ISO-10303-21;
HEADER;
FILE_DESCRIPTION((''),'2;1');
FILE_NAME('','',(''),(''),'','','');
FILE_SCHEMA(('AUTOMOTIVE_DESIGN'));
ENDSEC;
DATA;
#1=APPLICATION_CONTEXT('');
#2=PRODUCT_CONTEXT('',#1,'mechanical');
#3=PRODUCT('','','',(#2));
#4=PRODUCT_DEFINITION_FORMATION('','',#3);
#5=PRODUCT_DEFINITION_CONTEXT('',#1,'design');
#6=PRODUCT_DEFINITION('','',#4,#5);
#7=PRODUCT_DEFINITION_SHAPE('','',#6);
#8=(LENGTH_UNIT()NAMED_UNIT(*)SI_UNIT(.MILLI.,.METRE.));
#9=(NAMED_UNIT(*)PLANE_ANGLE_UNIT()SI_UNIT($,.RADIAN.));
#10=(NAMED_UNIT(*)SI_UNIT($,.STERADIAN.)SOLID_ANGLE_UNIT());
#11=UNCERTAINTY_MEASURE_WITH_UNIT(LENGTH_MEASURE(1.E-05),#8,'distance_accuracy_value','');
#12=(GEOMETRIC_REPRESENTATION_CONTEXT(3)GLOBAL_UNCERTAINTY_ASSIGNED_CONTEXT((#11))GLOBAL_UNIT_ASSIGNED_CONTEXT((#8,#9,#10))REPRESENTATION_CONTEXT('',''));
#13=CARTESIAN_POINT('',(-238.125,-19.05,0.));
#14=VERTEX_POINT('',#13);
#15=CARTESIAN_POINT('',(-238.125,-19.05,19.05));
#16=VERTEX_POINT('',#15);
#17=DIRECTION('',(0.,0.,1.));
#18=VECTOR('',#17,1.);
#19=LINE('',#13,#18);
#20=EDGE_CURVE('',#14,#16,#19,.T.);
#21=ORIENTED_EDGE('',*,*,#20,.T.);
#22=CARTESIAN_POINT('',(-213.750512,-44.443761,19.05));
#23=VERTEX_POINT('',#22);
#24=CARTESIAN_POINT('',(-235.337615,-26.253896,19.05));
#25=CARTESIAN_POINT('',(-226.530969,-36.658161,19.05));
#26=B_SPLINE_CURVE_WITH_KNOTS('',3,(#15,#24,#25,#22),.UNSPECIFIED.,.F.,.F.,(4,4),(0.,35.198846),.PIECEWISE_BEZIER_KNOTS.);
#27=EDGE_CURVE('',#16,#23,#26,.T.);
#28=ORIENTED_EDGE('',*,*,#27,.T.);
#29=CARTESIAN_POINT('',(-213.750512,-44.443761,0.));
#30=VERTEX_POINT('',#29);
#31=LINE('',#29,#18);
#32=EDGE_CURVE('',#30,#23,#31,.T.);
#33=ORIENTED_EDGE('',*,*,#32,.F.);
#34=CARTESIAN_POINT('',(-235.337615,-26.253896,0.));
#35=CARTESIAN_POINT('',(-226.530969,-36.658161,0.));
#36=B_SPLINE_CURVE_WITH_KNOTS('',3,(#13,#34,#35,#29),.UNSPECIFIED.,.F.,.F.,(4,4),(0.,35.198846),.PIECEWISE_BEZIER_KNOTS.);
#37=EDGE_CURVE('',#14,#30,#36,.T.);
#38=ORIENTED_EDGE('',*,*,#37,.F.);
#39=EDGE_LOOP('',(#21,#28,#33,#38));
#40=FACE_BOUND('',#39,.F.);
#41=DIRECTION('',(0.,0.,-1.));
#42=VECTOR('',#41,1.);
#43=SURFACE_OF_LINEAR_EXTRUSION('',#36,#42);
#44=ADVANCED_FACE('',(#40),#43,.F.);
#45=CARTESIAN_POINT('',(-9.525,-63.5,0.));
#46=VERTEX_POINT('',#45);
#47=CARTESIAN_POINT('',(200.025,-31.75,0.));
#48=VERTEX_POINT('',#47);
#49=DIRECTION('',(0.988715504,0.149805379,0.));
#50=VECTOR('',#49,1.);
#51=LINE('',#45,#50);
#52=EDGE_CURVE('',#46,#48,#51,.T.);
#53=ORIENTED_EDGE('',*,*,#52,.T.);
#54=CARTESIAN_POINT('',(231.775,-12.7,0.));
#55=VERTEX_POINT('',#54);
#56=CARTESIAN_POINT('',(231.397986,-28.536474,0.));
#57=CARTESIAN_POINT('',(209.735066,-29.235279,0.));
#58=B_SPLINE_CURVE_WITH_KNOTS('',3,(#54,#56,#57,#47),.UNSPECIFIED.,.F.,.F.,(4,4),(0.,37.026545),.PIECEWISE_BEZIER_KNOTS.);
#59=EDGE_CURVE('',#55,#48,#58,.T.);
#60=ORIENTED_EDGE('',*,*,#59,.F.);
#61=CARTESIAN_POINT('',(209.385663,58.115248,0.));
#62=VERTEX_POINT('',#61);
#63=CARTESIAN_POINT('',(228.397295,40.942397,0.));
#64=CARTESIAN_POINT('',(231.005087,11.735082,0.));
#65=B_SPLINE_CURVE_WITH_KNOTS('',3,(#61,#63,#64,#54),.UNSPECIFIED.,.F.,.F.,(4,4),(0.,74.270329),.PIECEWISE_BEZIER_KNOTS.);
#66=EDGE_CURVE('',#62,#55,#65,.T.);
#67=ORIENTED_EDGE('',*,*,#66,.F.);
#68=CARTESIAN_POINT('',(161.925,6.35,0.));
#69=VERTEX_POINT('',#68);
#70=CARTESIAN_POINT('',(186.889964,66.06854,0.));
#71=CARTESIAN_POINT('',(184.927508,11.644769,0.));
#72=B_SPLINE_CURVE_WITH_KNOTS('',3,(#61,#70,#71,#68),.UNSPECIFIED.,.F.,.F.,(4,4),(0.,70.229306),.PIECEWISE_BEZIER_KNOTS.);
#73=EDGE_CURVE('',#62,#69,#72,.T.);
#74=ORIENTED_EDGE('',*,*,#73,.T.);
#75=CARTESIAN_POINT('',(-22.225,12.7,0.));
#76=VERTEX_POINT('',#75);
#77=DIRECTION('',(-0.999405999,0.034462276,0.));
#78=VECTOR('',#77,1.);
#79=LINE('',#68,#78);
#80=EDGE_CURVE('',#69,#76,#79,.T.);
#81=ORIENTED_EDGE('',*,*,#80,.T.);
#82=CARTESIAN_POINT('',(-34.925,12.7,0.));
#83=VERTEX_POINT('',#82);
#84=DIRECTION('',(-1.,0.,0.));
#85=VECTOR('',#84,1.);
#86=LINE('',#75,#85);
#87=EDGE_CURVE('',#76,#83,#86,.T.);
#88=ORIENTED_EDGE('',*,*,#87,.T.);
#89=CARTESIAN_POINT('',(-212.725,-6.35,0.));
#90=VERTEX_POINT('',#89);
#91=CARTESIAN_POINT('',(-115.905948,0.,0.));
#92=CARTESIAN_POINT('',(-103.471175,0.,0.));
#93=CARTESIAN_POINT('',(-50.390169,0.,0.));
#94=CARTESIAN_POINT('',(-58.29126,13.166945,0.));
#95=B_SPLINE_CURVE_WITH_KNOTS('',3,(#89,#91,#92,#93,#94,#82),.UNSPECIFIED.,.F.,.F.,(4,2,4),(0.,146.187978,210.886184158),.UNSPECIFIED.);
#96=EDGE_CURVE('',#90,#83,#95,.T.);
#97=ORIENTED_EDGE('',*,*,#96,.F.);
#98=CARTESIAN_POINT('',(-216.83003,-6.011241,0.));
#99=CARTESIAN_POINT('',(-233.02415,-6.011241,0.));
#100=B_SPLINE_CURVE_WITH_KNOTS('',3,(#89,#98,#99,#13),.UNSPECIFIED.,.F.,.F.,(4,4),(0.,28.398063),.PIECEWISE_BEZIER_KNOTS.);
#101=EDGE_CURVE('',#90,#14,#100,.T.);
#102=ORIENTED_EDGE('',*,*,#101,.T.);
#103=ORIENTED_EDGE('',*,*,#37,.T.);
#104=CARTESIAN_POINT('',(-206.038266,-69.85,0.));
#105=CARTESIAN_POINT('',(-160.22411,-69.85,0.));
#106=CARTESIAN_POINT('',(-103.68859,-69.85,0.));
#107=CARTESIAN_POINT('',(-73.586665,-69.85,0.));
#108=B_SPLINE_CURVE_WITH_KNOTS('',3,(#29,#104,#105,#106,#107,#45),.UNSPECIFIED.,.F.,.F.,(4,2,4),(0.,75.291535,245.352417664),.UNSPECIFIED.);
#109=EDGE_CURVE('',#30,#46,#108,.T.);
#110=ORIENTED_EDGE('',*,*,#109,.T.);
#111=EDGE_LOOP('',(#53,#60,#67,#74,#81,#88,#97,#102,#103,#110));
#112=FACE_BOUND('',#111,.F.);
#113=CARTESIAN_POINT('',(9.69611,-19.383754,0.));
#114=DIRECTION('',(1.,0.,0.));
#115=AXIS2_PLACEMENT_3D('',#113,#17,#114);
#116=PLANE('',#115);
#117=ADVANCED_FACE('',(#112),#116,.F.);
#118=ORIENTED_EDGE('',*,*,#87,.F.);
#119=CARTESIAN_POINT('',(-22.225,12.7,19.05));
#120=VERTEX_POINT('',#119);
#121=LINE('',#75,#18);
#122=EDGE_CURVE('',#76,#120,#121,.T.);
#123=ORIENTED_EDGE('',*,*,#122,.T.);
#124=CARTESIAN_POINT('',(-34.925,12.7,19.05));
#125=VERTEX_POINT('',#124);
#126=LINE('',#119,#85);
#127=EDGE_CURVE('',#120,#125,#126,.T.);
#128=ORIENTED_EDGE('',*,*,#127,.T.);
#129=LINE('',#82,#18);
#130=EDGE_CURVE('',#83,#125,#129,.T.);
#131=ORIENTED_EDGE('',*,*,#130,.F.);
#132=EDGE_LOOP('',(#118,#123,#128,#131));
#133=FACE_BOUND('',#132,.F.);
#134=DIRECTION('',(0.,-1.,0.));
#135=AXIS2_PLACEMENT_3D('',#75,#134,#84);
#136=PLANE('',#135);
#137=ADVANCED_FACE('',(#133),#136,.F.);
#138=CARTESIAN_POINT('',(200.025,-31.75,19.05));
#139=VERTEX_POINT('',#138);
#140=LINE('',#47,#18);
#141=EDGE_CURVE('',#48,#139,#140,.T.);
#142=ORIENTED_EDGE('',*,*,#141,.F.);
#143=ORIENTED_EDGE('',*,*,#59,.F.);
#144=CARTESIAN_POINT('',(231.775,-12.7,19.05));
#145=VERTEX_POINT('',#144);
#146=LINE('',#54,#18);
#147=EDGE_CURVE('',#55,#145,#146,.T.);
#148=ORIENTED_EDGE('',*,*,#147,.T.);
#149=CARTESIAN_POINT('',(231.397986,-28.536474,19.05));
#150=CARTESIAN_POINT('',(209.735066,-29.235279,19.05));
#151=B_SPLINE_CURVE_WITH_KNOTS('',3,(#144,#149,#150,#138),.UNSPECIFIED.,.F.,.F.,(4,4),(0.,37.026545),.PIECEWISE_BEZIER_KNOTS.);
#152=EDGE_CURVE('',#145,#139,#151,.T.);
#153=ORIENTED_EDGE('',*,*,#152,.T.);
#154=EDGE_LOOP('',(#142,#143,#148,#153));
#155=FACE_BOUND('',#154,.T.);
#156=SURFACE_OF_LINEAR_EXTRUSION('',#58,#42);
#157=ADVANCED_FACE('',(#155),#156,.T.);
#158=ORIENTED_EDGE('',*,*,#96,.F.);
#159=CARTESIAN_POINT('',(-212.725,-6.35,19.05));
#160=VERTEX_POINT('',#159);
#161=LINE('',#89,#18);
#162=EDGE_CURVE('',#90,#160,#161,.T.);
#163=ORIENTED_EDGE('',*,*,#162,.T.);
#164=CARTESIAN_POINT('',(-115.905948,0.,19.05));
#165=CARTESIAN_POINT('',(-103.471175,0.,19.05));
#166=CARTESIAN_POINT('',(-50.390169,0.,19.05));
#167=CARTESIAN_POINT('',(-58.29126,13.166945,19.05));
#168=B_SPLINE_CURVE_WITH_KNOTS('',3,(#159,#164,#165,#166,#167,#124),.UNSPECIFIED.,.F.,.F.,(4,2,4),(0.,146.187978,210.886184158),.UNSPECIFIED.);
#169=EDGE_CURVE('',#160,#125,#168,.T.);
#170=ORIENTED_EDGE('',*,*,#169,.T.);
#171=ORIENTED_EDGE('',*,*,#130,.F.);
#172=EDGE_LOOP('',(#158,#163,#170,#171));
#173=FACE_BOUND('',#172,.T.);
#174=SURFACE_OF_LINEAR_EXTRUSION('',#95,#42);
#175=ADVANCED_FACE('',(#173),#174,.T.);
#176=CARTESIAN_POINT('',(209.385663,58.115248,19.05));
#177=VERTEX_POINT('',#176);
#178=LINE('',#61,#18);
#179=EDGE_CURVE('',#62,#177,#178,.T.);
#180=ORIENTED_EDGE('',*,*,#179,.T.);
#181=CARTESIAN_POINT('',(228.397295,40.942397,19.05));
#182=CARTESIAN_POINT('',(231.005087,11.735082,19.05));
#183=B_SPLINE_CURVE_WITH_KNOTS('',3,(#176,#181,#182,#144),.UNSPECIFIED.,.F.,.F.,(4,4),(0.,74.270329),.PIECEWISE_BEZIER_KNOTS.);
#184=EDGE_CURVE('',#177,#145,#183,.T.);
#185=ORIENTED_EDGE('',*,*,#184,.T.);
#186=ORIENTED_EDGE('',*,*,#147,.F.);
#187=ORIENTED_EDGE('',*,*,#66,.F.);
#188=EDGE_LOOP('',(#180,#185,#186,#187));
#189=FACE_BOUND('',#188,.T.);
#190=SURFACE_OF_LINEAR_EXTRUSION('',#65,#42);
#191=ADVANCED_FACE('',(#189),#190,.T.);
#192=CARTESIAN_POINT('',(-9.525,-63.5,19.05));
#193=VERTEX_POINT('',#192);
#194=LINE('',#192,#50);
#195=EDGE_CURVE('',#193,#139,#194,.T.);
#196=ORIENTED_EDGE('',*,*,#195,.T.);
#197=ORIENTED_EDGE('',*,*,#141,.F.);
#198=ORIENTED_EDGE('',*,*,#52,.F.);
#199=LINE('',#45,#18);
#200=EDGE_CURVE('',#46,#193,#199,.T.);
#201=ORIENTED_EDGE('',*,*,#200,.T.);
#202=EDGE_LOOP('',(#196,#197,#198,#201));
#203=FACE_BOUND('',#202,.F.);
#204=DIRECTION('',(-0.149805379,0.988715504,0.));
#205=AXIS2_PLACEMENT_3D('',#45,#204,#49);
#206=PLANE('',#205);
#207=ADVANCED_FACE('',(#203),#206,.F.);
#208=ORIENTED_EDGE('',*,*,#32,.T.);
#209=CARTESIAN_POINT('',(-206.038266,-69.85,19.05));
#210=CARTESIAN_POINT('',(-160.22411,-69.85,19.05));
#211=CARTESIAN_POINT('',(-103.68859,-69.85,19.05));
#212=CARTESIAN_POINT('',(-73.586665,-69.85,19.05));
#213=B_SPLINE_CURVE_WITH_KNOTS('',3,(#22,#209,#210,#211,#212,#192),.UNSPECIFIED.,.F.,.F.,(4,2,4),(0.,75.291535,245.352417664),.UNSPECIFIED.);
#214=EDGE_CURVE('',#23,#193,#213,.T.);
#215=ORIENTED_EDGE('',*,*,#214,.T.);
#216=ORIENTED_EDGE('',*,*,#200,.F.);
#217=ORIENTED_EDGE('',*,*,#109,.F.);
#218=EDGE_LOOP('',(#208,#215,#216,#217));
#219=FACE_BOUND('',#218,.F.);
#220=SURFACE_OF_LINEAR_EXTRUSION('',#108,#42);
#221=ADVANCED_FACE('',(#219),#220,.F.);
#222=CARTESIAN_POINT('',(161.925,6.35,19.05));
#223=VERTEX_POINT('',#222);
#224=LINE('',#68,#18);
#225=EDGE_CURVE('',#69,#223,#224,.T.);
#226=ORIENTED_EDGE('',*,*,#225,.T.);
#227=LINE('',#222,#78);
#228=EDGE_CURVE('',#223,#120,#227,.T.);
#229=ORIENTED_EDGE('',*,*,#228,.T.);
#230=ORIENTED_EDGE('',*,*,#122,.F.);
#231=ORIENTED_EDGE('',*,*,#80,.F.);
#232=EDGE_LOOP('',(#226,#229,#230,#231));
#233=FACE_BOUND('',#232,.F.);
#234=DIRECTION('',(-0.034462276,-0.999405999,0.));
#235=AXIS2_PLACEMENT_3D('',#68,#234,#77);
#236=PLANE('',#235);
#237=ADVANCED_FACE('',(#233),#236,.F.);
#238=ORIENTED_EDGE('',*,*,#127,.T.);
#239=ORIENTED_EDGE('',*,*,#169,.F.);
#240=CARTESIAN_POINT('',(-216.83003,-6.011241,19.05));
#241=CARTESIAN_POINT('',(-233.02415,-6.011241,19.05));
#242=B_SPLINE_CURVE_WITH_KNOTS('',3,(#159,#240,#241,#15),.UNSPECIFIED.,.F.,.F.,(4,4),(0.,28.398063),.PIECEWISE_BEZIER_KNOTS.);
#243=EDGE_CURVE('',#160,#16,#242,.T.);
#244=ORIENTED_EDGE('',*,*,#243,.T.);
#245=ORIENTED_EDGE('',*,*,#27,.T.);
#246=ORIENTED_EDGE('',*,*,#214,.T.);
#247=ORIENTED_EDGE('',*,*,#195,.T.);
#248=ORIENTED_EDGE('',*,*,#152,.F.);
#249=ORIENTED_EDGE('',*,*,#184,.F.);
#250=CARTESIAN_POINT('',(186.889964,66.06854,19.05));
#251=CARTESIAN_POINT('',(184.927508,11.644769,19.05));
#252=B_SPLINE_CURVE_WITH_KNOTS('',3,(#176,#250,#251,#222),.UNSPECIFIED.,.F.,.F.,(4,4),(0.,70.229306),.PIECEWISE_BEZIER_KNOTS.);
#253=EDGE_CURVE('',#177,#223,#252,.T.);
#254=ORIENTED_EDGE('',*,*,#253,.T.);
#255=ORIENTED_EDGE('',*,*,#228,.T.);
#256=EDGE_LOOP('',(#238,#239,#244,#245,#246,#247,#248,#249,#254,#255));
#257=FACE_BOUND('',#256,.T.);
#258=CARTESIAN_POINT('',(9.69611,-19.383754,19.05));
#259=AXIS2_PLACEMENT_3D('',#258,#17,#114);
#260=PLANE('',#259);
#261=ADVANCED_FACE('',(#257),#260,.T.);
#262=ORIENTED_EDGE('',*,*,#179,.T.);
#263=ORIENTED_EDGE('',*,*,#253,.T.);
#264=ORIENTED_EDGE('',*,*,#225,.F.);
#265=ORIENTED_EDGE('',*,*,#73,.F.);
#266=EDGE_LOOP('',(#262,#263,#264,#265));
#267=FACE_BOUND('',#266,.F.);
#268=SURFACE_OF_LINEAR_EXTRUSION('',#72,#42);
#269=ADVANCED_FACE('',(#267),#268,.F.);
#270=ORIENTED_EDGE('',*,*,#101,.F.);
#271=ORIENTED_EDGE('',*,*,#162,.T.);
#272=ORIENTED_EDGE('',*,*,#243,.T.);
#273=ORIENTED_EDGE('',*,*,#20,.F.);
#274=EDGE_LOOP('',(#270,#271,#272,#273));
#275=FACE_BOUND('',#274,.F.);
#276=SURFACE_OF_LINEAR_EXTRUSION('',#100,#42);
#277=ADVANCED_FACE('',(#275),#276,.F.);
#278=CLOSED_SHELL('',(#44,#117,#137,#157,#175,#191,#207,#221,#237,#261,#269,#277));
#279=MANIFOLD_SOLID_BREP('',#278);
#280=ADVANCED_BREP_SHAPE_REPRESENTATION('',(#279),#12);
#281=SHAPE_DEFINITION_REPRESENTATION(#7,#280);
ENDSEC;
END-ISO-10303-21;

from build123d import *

# Parameters (mm, degrees)
F1_DEPTH = 19.05


with BuildPart() as f1:
    # F0 (on Top) → F1 (new body)
    with BuildSketch(Plane.XY):
        with BuildLine():
            Line((-22.225, 12.7), (-34.925, 12.7))
            add(Edge.make_bspline(
                [(-66.675, 0), (-50.390169, 0), (-58.29126, 13.166945), (-34.925, 12.7)],
                knots=[0, 0, 0, 0, 34.195797, 34.195797, 34.195797, 34.195797], degree=3))
            add(Edge.make_bspline(
                [(-212.725, -6.35), (-115.905948, 0), (-103.471175, 0), (-66.675, 0)],
                knots=[0, 0, 0, 0, 146.187978, 146.187978, 146.187978, 146.187978], degree=3))
            add(Edge.make_bspline(
                [(-212.725, -6.35), (-216.83003, -6.011241), (-233.02415, -6.011241), (-238.125, -19.05)],
                knots=[0, 0, 0, 0, 28.398063, 28.398063, 28.398063, 28.398063], degree=3))
            add(Edge.make_bspline(
                [(-238.125, -19.05), (-235.337615, -26.253896), (-226.530969, -36.658161), (-213.750512, -44.443761)],
                knots=[0, 0, 0, 0, 35.198846, 35.198846, 35.198846, 35.198846], degree=3))
            add(Edge.make_bspline(
                [(-213.750512, -44.443761), (-206.038266, -69.85), (-160.22411, -69.85), (-142.875, -69.85)],
                knots=[0, 0, 0, 0, 75.291535, 75.291535, 75.291535, 75.291535], degree=3))
            add(Edge.make_bspline(
                [(-142.875, -69.85), (-103.68859, -69.85), (-73.586665, -69.85), (-9.525, -63.5)],
                knots=[0, 0, 0, 0, 133.501105, 133.501105, 133.501105, 133.501105], degree=3))
            Line((-9.525, -63.5), (200.025, -31.75))
            add(Edge.make_bspline(
                [(231.775, -12.7), (231.397986, -28.536474), (209.735066, -29.235279), (200.025, -31.75)],
                knots=[0, 0, 0, 0, 37.026545, 37.026545, 37.026545, 37.026545], degree=3))
            add(Edge.make_bspline(
                [(209.385663, 58.115248), (228.397295, 40.942397), (231.005087, 11.735082), (231.775, -12.7)],
                knots=[0, 0, 0, 0, 74.270329, 74.270329, 74.270329, 74.270329], degree=3))
            add(Edge.make_bspline(
                [(209.385663, 58.115248), (186.889964, 66.06854), (184.927508, 11.644769), (161.925, 6.35)],
                knots=[0, 0, 0, 0, 70.229306, 70.229306, 70.229306, 70.229306], degree=3))
            Line((161.925, 6.35), (-22.225, 12.7))
        make_face()
    extrude(amount=F1_DEPTH)


solid = f1.part
